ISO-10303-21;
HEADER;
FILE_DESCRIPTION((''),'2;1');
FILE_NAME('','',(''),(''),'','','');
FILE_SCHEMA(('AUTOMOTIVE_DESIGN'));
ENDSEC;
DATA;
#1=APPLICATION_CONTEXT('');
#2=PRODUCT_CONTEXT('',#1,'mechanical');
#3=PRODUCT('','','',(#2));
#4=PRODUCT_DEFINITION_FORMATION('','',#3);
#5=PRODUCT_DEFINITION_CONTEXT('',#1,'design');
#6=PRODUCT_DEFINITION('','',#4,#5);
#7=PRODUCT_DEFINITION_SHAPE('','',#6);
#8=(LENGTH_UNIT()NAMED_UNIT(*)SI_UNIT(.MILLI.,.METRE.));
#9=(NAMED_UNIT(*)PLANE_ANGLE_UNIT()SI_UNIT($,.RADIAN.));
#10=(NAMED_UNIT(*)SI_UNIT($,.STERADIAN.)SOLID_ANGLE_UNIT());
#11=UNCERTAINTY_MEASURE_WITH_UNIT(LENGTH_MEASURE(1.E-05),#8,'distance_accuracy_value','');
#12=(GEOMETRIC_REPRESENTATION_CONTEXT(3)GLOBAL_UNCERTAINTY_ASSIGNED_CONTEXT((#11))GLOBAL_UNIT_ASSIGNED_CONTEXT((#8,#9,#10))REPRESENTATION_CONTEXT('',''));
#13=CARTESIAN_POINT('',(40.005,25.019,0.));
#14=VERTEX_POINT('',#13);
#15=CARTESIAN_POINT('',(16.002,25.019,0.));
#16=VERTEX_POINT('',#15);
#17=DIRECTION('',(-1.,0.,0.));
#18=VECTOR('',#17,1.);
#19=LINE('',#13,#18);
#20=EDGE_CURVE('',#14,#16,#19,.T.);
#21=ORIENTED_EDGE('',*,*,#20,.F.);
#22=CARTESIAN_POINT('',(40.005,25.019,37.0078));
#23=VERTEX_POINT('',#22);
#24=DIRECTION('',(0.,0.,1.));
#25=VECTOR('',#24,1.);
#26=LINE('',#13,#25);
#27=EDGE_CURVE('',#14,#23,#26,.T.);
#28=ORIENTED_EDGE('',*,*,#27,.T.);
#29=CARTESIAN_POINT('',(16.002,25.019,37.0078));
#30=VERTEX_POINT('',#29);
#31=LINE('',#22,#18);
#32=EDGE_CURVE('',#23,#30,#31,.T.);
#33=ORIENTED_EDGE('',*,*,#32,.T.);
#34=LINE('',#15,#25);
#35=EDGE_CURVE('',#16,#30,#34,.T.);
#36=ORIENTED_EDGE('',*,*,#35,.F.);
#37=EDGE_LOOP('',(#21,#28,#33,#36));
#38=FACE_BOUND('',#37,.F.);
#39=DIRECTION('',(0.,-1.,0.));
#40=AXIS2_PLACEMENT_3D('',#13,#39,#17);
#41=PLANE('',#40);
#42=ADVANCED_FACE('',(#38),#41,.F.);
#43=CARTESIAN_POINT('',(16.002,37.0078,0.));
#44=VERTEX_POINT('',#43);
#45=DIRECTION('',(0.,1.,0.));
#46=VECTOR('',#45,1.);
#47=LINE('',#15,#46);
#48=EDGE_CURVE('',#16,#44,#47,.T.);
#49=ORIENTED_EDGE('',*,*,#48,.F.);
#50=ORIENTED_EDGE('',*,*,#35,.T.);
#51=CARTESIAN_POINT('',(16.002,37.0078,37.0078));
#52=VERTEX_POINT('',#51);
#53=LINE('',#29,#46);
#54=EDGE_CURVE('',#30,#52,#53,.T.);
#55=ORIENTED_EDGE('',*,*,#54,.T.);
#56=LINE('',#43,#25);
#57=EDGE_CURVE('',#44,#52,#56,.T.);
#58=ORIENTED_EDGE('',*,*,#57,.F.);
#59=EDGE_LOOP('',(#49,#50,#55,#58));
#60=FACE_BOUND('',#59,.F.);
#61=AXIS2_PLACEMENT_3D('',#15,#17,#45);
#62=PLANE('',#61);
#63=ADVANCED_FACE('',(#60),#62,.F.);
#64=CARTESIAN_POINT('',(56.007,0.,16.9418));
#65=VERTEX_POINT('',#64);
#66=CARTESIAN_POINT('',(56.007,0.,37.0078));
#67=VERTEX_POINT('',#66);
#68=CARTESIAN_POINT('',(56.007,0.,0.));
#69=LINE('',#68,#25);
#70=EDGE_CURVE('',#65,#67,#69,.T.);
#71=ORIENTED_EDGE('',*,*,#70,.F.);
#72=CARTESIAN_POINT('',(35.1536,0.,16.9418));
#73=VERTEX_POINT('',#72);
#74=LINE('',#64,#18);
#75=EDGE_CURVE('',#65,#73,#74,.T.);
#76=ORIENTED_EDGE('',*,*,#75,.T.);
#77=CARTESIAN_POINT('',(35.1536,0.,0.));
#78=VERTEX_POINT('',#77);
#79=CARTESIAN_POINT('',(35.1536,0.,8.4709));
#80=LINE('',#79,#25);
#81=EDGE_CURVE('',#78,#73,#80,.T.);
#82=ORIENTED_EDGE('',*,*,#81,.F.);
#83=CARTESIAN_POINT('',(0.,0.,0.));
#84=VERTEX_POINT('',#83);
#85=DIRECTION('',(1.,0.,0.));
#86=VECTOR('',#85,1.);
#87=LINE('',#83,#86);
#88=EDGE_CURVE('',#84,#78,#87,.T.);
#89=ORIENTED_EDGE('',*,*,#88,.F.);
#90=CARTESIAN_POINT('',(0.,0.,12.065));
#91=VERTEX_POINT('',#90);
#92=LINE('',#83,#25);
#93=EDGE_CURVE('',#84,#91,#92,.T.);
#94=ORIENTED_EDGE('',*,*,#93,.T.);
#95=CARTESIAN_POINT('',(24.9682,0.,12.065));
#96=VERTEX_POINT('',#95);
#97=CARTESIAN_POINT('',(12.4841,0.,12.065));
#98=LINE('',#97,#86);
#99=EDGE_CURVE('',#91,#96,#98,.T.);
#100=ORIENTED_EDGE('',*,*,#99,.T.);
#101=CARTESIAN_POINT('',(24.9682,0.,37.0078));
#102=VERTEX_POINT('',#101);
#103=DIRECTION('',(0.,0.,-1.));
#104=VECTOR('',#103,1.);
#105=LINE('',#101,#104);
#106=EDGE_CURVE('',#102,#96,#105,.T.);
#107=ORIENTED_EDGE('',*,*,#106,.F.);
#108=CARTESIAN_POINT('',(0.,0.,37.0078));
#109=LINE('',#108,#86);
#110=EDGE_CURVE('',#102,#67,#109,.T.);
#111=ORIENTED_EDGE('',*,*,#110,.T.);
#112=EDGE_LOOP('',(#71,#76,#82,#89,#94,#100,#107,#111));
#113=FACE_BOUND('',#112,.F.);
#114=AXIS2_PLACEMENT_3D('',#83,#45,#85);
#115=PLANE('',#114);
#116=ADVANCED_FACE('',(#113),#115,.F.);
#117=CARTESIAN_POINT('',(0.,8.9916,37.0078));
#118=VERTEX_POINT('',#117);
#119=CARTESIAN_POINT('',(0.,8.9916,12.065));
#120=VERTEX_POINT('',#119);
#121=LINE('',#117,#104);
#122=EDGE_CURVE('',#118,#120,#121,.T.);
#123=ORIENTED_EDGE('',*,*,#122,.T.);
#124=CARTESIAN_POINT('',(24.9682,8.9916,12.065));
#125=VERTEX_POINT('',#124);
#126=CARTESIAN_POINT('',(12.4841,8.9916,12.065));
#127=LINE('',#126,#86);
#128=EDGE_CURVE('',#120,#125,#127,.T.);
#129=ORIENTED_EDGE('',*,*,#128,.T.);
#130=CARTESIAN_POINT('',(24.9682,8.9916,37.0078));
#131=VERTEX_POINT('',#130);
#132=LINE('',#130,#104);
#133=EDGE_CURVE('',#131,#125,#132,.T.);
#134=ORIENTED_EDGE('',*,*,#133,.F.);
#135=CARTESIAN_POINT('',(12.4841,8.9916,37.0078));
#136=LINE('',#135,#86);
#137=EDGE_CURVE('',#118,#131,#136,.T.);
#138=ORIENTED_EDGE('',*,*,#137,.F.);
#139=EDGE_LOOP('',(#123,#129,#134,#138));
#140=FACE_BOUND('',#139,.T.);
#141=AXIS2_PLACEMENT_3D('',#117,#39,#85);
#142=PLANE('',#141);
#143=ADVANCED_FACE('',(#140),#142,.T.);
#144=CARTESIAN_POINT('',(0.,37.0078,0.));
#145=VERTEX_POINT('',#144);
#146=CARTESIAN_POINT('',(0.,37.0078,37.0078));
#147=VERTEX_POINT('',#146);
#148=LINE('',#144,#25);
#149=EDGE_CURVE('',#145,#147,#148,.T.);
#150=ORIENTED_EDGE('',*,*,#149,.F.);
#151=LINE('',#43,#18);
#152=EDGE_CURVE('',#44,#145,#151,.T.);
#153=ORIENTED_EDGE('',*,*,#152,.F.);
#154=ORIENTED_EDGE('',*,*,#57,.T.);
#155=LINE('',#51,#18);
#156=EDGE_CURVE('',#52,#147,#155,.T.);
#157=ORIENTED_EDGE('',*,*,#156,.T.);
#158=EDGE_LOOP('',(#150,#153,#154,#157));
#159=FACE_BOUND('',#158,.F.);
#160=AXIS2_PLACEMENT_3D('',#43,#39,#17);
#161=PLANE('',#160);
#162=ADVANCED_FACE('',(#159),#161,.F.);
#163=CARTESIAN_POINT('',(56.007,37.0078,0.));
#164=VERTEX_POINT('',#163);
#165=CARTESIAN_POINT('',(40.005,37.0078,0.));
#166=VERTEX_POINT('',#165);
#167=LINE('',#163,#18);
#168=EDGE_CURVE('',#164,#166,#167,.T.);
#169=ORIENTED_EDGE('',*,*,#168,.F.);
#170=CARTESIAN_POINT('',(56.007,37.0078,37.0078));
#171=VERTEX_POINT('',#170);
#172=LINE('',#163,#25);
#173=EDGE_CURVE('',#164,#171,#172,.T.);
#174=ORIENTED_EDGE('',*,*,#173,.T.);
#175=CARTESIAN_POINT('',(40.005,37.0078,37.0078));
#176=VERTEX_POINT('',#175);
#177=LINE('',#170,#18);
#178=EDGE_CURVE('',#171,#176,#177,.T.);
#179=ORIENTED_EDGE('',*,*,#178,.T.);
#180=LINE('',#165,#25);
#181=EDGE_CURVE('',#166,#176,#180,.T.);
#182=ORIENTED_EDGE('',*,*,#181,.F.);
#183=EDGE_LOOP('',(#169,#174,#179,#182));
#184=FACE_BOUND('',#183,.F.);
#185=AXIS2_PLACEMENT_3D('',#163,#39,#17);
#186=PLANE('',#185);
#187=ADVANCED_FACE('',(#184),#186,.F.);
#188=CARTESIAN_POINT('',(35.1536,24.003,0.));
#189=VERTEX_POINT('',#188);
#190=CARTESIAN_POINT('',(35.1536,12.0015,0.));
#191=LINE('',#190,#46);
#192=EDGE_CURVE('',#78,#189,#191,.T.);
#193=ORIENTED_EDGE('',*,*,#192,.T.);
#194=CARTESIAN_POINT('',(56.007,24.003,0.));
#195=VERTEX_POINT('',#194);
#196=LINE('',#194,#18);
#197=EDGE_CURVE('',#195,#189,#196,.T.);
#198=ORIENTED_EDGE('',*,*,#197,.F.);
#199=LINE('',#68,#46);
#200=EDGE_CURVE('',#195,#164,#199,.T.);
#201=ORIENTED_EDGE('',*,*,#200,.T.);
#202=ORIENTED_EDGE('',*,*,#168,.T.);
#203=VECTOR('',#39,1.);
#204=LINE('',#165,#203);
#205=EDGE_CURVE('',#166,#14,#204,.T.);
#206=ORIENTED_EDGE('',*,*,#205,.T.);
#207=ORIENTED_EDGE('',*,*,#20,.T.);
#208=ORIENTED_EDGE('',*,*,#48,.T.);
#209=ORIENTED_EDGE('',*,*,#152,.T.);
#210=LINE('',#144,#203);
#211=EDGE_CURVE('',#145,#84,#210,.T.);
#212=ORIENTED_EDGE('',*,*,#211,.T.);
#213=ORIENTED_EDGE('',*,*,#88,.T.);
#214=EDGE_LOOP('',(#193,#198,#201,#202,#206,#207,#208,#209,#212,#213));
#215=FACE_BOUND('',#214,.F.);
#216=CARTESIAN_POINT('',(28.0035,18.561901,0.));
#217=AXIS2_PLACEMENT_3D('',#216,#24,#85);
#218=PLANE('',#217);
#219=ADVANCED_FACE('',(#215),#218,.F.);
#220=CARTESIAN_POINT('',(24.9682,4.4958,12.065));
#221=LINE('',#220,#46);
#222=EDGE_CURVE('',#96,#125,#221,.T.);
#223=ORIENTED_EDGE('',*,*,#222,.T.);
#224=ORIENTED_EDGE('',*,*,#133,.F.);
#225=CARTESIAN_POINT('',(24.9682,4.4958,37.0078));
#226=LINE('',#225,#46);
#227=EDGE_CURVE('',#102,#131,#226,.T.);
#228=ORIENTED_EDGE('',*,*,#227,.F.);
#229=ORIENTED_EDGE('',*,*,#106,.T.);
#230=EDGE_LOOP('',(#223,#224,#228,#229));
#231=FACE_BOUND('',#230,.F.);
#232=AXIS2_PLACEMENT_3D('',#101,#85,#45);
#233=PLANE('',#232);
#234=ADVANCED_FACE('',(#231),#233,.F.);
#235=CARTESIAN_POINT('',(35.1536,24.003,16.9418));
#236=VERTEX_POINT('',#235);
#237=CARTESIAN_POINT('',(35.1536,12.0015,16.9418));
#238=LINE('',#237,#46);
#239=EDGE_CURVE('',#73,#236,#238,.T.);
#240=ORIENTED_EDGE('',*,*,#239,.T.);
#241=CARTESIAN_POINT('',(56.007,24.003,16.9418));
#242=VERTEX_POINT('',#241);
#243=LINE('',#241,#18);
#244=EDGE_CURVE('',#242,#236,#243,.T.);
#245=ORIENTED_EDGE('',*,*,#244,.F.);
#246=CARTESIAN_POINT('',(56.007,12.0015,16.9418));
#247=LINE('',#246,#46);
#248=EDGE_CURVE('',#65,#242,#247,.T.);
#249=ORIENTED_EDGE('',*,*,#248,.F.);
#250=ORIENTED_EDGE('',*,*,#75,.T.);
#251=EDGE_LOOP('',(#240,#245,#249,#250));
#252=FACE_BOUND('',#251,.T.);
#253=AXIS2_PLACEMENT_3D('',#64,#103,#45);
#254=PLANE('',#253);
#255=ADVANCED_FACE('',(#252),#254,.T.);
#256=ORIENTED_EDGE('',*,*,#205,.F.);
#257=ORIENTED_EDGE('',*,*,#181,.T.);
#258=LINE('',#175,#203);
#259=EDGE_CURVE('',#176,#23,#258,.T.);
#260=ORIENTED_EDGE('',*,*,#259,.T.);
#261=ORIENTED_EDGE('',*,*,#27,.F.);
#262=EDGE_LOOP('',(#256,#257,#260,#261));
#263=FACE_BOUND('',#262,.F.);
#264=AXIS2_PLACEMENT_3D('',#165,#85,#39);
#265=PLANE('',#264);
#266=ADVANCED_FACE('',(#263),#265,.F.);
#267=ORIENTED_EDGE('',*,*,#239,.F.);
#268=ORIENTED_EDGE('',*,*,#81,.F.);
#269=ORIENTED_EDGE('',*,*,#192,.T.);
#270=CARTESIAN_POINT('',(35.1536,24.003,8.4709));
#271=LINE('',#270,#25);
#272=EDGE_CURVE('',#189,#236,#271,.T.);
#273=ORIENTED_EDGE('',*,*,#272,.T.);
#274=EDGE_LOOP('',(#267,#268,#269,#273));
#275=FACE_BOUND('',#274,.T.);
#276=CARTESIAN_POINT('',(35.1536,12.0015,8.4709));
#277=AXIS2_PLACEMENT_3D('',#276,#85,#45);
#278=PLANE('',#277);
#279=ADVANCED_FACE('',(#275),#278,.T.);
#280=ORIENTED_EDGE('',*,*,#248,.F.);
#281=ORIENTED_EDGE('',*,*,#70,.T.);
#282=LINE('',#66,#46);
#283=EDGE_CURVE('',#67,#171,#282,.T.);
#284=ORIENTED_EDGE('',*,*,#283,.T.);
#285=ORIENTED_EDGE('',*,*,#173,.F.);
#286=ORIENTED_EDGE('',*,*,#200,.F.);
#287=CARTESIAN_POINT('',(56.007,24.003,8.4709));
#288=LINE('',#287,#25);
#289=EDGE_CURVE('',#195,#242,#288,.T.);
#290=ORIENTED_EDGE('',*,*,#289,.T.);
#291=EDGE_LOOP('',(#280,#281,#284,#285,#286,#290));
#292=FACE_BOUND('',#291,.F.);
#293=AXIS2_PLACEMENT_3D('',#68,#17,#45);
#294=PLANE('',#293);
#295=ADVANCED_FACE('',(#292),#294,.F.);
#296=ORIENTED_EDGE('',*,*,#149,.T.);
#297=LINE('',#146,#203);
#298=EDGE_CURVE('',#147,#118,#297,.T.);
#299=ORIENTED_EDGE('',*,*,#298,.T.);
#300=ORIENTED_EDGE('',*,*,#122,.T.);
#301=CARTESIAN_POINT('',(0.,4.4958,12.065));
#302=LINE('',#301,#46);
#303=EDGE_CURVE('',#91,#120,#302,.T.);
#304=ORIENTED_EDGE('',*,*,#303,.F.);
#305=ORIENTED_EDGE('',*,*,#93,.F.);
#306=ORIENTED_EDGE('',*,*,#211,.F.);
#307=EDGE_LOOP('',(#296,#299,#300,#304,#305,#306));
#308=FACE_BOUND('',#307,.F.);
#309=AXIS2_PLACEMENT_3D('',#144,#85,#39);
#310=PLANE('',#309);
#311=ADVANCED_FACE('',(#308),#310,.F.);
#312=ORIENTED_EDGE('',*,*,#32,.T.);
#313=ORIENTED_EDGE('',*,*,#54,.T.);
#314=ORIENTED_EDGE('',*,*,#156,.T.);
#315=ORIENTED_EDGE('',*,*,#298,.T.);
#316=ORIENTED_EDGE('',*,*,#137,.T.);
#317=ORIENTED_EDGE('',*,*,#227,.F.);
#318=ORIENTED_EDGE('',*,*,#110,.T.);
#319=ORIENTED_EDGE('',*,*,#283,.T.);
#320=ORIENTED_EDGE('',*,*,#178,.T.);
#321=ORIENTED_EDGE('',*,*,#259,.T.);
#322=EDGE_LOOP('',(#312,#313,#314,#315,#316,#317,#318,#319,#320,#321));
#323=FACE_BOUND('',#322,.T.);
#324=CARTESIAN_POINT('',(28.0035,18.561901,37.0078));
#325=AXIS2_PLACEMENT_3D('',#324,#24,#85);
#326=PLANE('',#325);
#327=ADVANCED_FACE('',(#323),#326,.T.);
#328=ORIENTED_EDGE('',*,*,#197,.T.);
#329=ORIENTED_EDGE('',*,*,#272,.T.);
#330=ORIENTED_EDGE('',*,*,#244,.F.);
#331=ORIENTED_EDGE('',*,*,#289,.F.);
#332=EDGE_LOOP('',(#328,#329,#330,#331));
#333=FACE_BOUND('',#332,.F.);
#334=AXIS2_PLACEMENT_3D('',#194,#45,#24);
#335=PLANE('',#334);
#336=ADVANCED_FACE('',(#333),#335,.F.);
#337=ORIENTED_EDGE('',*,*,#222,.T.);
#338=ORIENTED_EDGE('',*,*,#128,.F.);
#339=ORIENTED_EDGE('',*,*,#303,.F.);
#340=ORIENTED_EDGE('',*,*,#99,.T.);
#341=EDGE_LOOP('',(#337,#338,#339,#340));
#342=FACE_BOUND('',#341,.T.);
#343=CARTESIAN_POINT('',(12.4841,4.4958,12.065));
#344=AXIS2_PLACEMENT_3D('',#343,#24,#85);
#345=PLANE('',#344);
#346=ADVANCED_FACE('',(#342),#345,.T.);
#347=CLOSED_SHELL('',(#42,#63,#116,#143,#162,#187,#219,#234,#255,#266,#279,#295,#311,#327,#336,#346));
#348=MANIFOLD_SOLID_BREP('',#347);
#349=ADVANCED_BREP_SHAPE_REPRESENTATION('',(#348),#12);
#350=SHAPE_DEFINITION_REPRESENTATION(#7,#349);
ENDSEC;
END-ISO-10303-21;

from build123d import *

# Parameters (mm, degrees)
F1_DEPTH = 37.0078
F2_W     = 24.9682
F2_H     = 8.9916
F3_DEPTH = 24.9428
F4_W     = 24.003
F4_H     = 16.9418
F5_DEPTH = 20.8534


with BuildPart() as f1:
    # F0 (on Top) → F1 (new body)
    with BuildSketch(Plane.XY):
        Polygon((0, 37.0078), (0, 0), (56.007, 0), (56.007, 37.0078), (40.005, 37.0078), (40.005, 25.019), (16.002, 25.019), (16.002, 37.0078), align=None)
    extrude(amount=F1_DEPTH)

    # F2 (on face) → F3 (cut)
    with BuildSketch(Plane.XY.offset(37.0078)):
        with Locations((12.4841, 4.4958)):
            Rectangle(F2_W, F2_H)
    extrude(amount=-F3_DEPTH, mode=Mode.SUBTRACT)

    # F4 (on face) → F5 (cut)
    with BuildSketch(Plane.YZ.offset(56.007)):
        with Locations((12.0015, 8.4709)):
            Rectangle(F4_W, F4_H)
    extrude(amount=-F5_DEPTH, mode=Mode.SUBTRACT)


solid = f1.part
